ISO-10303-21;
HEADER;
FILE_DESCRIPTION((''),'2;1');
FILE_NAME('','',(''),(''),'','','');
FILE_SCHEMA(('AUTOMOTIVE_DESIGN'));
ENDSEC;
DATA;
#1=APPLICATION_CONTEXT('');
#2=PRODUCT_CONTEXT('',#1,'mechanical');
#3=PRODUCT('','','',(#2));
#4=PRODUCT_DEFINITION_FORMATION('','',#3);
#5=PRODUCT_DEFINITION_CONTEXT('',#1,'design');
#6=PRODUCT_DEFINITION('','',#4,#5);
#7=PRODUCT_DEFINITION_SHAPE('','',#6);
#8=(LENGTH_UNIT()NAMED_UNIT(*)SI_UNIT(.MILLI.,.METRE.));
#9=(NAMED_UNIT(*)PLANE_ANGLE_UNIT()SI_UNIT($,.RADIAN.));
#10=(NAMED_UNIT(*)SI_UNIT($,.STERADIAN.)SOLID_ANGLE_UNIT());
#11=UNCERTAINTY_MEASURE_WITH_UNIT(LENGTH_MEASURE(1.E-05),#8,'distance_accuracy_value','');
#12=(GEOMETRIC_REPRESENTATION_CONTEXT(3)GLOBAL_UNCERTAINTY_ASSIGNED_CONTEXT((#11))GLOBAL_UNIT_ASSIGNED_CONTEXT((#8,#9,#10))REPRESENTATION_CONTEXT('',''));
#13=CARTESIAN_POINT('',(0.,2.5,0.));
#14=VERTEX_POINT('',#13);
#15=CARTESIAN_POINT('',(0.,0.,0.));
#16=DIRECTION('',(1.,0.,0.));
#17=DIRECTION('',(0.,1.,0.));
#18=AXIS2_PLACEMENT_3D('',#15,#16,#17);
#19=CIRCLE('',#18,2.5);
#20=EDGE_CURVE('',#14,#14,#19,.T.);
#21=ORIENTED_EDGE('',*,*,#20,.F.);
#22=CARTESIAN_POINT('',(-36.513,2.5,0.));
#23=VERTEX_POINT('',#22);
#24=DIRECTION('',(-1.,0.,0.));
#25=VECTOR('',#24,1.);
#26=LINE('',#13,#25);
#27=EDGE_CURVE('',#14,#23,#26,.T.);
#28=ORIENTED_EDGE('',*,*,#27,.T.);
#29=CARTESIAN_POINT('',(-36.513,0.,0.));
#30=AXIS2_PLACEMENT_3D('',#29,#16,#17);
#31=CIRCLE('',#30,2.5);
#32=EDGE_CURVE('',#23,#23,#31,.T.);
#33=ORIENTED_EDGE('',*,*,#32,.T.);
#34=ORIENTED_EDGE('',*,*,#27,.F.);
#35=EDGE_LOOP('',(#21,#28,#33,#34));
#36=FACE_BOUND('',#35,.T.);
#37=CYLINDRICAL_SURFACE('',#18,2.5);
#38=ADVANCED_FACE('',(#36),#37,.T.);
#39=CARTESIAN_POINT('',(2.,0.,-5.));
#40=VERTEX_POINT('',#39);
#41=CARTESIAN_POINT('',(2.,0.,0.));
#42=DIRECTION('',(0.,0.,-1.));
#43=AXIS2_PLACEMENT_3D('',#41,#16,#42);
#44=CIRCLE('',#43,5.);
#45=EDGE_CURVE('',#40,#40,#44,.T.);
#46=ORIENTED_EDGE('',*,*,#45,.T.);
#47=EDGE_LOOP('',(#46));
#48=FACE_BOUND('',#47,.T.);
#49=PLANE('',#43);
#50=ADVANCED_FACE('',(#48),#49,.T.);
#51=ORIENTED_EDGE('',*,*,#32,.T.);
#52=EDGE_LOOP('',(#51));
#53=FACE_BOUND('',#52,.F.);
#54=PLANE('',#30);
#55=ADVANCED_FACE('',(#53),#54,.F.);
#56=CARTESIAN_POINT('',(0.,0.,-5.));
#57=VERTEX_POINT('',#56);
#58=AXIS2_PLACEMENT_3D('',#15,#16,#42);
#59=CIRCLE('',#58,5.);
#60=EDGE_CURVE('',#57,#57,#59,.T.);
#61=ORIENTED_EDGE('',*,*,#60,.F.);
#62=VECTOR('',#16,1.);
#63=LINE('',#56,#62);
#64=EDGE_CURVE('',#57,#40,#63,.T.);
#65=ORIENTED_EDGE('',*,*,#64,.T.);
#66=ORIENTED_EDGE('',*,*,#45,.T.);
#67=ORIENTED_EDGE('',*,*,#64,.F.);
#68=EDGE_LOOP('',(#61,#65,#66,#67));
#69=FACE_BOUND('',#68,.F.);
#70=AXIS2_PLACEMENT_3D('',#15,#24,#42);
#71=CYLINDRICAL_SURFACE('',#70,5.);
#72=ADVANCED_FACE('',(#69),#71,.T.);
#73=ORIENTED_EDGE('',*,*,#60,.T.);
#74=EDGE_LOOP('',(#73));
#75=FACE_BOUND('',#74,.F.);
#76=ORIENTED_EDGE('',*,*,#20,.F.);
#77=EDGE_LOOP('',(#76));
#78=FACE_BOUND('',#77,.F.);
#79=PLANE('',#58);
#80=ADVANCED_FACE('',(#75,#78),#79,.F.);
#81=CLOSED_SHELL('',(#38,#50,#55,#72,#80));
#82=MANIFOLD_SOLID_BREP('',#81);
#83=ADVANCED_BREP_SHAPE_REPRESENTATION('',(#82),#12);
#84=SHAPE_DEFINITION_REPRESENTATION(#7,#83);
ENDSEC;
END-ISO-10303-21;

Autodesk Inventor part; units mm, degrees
ref_plane "YZ Plane" through (0, 0, 0) normal (1, 0, 0) x (0, 1, 0)
ref_plane "XZ Plane" through (0, 0, 0) normal (0, 1, 0) x (-1, 0, 0)
ref_plane "XY Plane" through (0, 0, 0) normal (0, 0, 1) x (1, 0, 0)
sketch "Sketch1" plane through (0, 0, 0) normal (1, 0, 0) x (0, 1, 0)
  circle A0 centre (0, 0) radius 2.5
  dimension "d0" = 5
extrude "Extrusion1" add sketch "Sketch1" against normal blind 36.513
sketch "Sketch2" plane through (0, 0, 0) normal (1, 0, 0) x (0, 0, -1)
  circle A0 centre (0, 0) radius 5
  dimension "d3" = 10
extrude "Extrusion2" add sketch "Sketch2" along normal blind 2
properties part number "hinge 3" material "Stainless Steel"
